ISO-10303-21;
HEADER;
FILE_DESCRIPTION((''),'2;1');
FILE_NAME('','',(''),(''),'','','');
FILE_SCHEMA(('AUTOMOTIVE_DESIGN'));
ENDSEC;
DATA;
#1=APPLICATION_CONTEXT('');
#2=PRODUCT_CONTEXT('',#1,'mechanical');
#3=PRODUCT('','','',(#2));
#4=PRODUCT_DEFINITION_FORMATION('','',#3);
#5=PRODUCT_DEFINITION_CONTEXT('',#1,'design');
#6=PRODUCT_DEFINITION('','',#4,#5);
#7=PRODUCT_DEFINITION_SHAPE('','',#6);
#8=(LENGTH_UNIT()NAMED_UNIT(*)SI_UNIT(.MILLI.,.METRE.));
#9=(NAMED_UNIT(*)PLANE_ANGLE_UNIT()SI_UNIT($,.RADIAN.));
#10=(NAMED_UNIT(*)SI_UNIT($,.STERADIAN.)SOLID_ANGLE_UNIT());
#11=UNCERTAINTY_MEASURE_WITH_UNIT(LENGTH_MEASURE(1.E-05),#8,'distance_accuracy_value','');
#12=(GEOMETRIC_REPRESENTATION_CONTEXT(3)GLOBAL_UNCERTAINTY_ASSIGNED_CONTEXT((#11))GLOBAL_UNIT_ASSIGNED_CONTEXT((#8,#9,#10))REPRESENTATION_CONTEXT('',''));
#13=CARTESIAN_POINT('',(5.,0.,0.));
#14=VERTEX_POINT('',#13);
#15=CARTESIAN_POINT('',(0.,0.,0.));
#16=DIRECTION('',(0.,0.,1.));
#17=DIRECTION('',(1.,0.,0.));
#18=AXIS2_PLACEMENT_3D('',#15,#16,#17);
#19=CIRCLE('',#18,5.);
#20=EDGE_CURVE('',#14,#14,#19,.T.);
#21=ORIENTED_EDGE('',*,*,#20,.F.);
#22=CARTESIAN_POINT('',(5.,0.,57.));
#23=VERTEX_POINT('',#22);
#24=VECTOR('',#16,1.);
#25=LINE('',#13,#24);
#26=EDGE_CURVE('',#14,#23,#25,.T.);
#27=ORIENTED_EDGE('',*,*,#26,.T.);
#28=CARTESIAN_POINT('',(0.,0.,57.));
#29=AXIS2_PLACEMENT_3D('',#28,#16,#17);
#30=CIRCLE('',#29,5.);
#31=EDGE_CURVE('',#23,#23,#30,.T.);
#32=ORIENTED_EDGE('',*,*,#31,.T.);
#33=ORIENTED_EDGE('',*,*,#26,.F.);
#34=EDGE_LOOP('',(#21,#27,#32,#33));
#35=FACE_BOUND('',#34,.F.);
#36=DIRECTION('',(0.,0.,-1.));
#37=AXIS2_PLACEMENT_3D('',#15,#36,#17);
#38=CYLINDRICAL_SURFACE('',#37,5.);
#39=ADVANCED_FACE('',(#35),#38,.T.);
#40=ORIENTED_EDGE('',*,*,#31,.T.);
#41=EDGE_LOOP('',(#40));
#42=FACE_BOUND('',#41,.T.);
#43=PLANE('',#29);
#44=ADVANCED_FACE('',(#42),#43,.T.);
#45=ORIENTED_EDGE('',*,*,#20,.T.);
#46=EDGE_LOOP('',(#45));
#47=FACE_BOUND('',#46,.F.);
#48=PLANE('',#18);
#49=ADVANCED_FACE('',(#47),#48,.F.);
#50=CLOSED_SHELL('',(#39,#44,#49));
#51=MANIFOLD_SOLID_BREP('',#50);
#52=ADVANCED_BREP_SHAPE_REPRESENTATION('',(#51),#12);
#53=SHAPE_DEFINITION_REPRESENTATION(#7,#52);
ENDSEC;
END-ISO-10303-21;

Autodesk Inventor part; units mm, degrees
ref_plane "YZ Plane" through (0, 0, 0) normal (1, 0, 0) x (0, 1, 0)
ref_plane "XZ Plane" through (0, 0, 0) normal (0, 1, 0) x (-1, 0, 0)
ref_plane "XY Plane" through (0, 0, 0) normal (0, 0, 1) x (1, 0, 0)
sketch "Boceto1" plane through (0, 0, 0) normal (0, 0, 1) x (1, 0, 0)
  circle A0 centre (0, 0) radius 5
  dimension "d0" = 10
extrude "Extrusión1" add sketch "Boceto1" along normal blind 57
properties part number "pin10"
